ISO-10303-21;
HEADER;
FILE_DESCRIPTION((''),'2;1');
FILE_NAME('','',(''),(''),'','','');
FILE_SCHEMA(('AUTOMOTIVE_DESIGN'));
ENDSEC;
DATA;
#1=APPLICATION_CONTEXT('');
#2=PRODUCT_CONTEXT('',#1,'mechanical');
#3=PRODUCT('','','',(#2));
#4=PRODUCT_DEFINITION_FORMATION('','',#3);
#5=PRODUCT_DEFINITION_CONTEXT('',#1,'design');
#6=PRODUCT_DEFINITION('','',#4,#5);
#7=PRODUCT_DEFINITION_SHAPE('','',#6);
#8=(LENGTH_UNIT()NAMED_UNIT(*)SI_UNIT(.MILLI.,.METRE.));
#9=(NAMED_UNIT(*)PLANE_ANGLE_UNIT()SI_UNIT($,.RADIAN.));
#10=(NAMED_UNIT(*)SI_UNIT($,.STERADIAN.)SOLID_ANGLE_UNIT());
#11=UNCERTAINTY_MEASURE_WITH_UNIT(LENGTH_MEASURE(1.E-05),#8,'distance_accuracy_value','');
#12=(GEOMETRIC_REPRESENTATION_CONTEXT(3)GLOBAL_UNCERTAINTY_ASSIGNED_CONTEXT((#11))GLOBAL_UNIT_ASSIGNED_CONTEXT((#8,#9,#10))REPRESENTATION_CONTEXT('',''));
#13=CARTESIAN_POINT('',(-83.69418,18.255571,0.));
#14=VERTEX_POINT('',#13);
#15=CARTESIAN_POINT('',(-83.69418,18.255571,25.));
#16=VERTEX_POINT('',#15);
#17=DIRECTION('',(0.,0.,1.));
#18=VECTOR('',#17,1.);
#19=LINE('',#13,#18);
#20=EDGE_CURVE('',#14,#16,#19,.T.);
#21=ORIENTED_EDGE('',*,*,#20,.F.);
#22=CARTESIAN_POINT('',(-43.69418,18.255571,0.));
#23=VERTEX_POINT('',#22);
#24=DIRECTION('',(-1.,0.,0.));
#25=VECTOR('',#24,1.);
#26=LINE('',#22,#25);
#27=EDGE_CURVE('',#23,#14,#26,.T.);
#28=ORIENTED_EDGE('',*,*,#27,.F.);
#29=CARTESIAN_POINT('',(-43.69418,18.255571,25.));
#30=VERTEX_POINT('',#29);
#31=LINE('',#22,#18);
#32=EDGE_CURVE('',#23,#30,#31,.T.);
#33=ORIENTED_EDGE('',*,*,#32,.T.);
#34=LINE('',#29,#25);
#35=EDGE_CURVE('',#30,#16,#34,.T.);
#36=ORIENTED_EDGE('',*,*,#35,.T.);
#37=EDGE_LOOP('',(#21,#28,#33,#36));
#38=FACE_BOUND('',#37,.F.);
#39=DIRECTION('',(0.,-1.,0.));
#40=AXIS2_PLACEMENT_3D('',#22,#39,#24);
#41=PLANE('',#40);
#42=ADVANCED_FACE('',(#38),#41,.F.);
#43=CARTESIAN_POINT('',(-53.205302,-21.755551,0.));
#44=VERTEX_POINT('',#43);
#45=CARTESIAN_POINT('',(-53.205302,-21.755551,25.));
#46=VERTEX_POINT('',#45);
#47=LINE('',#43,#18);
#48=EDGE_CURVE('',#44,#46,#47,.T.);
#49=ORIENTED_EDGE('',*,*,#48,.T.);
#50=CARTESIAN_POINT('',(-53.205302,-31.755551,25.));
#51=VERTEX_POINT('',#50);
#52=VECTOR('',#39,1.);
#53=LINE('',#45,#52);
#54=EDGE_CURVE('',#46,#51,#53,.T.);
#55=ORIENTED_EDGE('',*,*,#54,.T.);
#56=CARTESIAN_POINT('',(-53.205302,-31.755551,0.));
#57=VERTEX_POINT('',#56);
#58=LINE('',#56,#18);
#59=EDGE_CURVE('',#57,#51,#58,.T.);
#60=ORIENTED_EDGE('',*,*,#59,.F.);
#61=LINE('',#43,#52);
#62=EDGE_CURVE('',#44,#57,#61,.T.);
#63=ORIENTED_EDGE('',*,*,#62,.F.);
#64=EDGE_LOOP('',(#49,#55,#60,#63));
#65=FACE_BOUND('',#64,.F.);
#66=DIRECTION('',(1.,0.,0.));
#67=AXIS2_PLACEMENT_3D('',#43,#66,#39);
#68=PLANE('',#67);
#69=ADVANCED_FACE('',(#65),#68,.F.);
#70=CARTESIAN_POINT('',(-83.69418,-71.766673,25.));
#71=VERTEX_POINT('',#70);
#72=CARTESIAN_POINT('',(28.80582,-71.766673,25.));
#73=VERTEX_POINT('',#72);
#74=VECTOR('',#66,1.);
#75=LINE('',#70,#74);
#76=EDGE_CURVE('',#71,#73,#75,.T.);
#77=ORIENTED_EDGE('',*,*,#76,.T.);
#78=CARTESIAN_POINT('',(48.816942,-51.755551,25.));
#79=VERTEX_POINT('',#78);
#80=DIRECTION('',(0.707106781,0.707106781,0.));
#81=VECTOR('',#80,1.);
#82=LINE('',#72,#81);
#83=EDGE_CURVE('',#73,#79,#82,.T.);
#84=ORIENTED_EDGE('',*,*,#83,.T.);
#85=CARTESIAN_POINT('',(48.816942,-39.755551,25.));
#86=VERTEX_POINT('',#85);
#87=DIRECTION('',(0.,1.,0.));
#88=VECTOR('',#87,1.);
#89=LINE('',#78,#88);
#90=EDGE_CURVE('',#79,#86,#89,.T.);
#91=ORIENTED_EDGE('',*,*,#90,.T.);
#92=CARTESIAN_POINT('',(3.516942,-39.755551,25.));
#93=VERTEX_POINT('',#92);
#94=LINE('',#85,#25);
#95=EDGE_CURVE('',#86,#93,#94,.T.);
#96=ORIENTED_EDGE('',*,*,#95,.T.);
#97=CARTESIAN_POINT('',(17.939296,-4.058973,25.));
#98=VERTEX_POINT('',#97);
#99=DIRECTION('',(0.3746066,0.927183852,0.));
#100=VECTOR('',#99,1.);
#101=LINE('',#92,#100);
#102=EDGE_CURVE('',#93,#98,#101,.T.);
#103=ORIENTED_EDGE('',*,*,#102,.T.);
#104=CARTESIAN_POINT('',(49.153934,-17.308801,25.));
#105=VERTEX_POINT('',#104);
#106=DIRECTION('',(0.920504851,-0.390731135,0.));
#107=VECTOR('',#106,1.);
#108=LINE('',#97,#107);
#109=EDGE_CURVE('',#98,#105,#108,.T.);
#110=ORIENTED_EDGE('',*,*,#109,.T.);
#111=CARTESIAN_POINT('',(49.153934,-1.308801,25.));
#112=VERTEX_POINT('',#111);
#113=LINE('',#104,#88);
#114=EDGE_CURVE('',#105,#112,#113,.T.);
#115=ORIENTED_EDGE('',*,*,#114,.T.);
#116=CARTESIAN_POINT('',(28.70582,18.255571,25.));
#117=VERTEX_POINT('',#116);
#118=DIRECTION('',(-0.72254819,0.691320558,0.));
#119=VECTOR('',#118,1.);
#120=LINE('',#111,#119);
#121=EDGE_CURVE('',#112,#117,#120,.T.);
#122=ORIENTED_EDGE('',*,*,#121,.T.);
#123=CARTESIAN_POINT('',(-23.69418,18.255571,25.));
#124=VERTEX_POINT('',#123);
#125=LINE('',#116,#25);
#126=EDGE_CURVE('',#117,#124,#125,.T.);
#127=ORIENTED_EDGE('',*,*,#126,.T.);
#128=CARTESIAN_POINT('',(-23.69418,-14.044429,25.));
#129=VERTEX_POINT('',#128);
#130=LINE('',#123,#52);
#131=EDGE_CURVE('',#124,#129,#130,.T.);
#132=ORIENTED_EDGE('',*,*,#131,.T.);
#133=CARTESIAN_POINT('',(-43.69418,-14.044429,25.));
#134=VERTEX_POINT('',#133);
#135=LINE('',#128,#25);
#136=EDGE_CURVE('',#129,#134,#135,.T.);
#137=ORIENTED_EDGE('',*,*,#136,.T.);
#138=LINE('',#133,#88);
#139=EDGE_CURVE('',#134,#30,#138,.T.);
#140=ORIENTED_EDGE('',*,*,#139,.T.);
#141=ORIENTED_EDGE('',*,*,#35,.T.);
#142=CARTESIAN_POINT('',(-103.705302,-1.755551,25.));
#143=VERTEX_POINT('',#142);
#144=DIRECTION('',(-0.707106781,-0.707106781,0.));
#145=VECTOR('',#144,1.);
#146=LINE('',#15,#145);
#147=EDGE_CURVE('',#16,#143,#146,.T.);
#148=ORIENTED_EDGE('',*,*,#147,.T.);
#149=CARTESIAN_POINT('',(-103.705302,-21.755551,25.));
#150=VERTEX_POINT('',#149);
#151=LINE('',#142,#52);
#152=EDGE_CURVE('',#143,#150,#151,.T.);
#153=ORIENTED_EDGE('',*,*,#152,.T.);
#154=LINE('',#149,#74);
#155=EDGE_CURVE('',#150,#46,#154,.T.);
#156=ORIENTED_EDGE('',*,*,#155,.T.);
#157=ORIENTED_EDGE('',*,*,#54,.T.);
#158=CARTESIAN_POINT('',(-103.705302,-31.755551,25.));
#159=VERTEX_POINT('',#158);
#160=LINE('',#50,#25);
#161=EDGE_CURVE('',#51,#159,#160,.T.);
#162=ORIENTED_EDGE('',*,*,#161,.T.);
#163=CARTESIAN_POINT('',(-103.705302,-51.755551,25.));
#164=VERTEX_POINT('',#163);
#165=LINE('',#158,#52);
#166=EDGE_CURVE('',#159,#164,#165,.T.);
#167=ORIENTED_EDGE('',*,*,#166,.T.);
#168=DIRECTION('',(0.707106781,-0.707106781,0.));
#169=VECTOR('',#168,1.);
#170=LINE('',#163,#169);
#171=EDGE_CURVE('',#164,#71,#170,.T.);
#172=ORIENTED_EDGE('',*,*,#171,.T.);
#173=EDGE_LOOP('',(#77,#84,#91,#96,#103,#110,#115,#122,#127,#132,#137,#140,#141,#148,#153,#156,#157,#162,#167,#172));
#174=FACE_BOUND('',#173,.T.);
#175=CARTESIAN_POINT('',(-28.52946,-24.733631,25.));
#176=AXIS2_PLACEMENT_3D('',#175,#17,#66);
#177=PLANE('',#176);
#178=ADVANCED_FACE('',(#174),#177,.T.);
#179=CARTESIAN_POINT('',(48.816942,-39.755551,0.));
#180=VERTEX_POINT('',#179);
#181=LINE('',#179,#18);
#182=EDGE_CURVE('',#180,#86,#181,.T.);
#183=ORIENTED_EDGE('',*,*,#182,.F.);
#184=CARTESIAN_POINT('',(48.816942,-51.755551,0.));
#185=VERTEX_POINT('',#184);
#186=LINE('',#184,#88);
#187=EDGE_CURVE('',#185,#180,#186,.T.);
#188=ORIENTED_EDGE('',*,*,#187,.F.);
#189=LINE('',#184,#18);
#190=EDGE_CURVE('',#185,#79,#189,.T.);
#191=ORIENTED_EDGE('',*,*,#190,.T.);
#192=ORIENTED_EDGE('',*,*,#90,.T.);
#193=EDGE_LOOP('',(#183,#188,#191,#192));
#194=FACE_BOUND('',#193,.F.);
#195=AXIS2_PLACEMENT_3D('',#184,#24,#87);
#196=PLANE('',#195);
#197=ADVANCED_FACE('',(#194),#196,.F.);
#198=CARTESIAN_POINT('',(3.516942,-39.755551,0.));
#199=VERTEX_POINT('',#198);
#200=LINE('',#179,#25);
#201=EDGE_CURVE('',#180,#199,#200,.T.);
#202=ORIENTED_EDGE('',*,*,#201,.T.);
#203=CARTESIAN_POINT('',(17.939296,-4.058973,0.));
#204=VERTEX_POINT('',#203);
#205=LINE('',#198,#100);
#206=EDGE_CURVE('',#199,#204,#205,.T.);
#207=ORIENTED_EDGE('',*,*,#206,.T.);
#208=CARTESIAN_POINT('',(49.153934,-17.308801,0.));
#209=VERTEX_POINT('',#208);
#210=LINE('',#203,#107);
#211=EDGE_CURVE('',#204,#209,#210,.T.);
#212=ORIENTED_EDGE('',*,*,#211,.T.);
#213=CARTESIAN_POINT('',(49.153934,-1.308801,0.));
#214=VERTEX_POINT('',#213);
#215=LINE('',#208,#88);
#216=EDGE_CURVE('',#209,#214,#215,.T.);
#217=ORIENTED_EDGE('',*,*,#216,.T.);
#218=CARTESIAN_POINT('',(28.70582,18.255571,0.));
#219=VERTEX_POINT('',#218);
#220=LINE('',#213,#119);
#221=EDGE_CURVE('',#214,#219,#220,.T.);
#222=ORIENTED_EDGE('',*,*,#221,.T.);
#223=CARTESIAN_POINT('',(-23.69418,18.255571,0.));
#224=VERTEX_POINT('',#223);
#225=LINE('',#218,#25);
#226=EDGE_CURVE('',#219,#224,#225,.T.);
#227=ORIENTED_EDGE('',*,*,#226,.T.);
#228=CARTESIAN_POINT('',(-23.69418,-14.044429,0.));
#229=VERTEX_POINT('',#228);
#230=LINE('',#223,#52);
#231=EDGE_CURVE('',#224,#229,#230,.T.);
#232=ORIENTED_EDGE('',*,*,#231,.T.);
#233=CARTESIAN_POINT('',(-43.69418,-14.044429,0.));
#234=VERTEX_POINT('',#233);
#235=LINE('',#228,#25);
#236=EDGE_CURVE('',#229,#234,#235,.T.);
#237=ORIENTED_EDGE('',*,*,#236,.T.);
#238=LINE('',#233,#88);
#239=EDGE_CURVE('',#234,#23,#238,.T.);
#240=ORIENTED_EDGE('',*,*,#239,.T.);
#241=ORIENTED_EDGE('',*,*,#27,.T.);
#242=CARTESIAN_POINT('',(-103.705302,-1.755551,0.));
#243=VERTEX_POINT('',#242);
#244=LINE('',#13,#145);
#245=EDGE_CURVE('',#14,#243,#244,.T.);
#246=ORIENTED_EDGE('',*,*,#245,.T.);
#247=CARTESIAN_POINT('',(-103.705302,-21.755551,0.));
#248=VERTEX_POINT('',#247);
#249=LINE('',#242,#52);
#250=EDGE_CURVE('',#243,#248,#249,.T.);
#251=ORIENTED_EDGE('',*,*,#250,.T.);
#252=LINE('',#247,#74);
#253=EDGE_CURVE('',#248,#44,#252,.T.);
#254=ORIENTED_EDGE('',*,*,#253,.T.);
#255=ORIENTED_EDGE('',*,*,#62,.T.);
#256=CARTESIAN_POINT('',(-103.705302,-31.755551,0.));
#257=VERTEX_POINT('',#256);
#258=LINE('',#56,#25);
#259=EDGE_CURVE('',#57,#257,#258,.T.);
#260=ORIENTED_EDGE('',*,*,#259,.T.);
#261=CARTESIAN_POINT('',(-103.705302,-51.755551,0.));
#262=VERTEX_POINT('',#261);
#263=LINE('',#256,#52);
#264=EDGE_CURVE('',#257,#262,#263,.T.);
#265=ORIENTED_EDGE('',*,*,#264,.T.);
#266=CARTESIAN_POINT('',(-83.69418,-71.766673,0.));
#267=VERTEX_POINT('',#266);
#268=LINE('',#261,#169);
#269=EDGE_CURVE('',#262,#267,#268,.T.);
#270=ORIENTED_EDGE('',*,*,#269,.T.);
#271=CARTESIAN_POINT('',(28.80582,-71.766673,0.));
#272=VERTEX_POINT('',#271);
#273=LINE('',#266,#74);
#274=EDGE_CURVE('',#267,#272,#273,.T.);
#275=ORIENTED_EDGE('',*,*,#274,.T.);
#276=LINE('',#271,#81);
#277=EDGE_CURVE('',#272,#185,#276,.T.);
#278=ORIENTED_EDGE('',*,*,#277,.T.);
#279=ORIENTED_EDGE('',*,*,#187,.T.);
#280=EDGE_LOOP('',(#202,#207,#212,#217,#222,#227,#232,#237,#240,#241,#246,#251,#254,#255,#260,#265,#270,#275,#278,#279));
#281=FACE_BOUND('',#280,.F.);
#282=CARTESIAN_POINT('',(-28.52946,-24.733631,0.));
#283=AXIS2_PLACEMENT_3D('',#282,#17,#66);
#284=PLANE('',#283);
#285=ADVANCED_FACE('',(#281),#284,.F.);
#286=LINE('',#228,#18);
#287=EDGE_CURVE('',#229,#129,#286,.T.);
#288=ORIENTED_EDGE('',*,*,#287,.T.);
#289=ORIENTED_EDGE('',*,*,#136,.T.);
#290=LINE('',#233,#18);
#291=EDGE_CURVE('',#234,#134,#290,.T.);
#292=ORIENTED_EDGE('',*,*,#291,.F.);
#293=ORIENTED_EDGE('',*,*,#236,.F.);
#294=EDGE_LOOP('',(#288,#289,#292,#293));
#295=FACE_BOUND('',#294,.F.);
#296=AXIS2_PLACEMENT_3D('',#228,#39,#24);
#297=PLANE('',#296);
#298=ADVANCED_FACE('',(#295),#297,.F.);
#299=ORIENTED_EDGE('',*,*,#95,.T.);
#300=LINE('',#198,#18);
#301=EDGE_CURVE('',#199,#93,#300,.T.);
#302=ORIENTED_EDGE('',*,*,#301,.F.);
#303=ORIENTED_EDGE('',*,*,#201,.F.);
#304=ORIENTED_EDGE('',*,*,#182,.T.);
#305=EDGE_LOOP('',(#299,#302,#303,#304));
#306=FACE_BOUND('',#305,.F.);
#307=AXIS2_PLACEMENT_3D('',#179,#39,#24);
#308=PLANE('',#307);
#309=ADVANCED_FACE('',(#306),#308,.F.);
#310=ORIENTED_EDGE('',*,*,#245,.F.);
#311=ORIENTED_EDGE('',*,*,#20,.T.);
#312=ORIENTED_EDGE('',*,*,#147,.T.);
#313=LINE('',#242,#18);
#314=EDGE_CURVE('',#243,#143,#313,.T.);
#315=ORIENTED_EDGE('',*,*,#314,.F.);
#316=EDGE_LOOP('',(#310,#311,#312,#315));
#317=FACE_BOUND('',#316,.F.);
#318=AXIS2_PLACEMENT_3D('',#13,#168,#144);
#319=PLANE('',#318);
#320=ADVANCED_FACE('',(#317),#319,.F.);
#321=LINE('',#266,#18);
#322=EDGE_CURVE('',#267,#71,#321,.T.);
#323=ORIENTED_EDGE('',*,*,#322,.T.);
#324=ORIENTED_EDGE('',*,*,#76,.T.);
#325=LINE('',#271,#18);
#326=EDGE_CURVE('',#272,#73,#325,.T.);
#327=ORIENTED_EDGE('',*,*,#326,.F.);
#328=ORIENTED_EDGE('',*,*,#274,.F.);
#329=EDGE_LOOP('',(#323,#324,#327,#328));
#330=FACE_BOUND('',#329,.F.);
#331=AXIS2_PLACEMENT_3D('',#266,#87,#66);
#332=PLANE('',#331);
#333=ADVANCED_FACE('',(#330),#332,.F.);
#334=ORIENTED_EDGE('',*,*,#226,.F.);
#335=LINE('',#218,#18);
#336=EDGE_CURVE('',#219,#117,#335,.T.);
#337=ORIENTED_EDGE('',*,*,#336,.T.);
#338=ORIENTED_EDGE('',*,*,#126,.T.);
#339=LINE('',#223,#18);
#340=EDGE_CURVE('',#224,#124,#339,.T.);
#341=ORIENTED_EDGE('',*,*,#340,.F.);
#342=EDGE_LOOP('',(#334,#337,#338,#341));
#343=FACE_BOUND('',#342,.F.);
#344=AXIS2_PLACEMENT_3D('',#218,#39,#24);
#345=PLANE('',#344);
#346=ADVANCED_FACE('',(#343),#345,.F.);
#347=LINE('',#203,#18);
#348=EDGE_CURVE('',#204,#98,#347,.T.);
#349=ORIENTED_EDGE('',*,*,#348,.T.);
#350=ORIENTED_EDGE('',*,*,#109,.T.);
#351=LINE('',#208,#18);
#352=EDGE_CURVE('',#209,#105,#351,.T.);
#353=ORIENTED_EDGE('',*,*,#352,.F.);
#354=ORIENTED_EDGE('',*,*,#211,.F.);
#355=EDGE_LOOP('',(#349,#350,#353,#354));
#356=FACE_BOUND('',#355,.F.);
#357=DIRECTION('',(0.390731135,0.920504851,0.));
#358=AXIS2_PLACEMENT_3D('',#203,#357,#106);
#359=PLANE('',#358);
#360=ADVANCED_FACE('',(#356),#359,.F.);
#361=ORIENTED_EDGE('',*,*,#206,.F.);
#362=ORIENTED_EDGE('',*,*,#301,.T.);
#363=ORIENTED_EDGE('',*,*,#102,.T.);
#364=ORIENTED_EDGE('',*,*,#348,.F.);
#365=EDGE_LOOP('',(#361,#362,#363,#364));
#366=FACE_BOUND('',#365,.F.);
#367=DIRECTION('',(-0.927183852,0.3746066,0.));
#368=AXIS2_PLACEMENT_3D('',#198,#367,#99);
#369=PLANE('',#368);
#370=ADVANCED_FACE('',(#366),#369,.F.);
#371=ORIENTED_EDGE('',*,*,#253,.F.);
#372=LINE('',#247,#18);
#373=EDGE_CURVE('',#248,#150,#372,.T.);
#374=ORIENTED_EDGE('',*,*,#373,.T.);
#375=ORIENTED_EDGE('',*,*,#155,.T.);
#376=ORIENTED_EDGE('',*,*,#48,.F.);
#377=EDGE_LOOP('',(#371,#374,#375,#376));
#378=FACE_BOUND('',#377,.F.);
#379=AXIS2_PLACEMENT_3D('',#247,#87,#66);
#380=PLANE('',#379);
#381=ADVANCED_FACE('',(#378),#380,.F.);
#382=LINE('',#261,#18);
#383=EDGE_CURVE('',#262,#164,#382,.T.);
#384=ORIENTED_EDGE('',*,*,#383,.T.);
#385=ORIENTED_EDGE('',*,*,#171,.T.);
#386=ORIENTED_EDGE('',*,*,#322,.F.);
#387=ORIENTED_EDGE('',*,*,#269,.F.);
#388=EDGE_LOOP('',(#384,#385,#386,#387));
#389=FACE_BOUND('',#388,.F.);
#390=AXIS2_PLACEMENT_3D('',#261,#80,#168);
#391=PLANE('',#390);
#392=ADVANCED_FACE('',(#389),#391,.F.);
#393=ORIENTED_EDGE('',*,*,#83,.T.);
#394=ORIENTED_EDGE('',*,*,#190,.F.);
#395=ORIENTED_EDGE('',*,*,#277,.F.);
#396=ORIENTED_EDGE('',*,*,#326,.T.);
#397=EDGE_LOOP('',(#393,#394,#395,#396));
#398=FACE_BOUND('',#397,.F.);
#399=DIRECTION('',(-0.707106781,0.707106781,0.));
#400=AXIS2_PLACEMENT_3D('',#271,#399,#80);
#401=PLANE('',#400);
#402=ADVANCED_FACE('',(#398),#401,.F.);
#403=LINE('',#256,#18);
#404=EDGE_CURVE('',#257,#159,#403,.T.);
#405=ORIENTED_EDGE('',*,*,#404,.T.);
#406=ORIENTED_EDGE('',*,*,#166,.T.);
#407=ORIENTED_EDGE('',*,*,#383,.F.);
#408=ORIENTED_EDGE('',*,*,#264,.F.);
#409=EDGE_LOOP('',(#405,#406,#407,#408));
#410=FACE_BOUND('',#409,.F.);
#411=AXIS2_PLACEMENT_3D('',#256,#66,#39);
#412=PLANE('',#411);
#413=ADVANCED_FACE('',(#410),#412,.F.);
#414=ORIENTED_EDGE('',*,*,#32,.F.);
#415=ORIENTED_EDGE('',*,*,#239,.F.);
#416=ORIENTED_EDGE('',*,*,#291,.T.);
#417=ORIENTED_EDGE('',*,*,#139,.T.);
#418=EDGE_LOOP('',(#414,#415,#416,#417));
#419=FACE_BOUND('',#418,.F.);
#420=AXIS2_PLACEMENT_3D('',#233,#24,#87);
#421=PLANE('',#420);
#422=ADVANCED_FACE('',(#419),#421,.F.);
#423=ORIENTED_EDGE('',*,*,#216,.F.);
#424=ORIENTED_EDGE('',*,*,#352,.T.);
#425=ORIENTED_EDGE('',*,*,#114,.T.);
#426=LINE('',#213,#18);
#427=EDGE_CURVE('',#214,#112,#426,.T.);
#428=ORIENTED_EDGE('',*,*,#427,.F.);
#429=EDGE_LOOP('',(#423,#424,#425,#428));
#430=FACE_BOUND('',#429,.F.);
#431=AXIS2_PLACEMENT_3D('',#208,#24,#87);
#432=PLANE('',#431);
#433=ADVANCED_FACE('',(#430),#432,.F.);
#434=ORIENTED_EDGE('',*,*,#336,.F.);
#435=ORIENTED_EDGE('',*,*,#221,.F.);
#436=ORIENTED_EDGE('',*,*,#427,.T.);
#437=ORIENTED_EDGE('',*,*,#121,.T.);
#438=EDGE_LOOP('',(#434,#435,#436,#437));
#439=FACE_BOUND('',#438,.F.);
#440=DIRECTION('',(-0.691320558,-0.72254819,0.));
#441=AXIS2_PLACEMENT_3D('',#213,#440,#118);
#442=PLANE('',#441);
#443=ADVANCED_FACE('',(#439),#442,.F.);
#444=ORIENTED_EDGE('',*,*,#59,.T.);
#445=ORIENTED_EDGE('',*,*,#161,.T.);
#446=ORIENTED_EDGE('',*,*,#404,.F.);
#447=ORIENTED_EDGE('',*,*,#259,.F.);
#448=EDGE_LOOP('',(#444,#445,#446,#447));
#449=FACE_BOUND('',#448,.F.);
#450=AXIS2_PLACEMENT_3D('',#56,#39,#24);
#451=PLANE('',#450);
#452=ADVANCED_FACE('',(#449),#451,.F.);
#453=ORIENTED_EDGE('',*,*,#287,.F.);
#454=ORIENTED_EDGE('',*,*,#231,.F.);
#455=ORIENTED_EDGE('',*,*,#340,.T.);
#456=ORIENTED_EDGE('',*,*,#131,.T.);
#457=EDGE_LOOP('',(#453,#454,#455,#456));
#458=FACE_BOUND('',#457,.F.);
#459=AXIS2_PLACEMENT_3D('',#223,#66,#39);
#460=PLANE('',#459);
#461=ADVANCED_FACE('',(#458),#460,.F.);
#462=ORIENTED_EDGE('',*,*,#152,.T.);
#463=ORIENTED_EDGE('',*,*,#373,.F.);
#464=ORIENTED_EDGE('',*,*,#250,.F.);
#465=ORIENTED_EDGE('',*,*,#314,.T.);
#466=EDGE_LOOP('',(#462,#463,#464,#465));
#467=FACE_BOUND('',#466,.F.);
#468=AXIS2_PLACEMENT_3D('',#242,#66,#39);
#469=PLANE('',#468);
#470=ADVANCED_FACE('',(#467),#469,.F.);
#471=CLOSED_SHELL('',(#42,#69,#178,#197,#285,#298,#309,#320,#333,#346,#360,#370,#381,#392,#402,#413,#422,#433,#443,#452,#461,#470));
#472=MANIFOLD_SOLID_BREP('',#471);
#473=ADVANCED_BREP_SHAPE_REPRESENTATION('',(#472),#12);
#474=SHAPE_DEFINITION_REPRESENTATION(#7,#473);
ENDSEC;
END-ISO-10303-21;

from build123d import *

# Parameters (mm, degrees)
F1_DEPTH = 25


with BuildPart() as f1:
    # F0 (on Top) → F1 (new body)
    with BuildSketch(Plane.XY):
        Polygon((-103.705302, -51.755551), (-83.69418, -71.766673), (28.80582, -71.766673), (48.816942, -51.755551), (48.816942, -39.755551), (3.516942, -39.755551), (17.939296, -4.058973), (49.153934, -17.308801), (49.153934, -1.308801), (28.70582, 18.255571), (-23.69418, 18.255571), (-23.69418, -14.044429), (-43.69418, -14.044429), (-43.69418, 18.255571), (-83.69418, 18.255571), (-103.705302, -1.755551), (-103.705302, -21.755551), (-53.205302, -21.755551), (-53.205302, -31.755551), (-103.705302, -31.755551), align=None)
    extrude(amount=F1_DEPTH)


solid = f1.part
